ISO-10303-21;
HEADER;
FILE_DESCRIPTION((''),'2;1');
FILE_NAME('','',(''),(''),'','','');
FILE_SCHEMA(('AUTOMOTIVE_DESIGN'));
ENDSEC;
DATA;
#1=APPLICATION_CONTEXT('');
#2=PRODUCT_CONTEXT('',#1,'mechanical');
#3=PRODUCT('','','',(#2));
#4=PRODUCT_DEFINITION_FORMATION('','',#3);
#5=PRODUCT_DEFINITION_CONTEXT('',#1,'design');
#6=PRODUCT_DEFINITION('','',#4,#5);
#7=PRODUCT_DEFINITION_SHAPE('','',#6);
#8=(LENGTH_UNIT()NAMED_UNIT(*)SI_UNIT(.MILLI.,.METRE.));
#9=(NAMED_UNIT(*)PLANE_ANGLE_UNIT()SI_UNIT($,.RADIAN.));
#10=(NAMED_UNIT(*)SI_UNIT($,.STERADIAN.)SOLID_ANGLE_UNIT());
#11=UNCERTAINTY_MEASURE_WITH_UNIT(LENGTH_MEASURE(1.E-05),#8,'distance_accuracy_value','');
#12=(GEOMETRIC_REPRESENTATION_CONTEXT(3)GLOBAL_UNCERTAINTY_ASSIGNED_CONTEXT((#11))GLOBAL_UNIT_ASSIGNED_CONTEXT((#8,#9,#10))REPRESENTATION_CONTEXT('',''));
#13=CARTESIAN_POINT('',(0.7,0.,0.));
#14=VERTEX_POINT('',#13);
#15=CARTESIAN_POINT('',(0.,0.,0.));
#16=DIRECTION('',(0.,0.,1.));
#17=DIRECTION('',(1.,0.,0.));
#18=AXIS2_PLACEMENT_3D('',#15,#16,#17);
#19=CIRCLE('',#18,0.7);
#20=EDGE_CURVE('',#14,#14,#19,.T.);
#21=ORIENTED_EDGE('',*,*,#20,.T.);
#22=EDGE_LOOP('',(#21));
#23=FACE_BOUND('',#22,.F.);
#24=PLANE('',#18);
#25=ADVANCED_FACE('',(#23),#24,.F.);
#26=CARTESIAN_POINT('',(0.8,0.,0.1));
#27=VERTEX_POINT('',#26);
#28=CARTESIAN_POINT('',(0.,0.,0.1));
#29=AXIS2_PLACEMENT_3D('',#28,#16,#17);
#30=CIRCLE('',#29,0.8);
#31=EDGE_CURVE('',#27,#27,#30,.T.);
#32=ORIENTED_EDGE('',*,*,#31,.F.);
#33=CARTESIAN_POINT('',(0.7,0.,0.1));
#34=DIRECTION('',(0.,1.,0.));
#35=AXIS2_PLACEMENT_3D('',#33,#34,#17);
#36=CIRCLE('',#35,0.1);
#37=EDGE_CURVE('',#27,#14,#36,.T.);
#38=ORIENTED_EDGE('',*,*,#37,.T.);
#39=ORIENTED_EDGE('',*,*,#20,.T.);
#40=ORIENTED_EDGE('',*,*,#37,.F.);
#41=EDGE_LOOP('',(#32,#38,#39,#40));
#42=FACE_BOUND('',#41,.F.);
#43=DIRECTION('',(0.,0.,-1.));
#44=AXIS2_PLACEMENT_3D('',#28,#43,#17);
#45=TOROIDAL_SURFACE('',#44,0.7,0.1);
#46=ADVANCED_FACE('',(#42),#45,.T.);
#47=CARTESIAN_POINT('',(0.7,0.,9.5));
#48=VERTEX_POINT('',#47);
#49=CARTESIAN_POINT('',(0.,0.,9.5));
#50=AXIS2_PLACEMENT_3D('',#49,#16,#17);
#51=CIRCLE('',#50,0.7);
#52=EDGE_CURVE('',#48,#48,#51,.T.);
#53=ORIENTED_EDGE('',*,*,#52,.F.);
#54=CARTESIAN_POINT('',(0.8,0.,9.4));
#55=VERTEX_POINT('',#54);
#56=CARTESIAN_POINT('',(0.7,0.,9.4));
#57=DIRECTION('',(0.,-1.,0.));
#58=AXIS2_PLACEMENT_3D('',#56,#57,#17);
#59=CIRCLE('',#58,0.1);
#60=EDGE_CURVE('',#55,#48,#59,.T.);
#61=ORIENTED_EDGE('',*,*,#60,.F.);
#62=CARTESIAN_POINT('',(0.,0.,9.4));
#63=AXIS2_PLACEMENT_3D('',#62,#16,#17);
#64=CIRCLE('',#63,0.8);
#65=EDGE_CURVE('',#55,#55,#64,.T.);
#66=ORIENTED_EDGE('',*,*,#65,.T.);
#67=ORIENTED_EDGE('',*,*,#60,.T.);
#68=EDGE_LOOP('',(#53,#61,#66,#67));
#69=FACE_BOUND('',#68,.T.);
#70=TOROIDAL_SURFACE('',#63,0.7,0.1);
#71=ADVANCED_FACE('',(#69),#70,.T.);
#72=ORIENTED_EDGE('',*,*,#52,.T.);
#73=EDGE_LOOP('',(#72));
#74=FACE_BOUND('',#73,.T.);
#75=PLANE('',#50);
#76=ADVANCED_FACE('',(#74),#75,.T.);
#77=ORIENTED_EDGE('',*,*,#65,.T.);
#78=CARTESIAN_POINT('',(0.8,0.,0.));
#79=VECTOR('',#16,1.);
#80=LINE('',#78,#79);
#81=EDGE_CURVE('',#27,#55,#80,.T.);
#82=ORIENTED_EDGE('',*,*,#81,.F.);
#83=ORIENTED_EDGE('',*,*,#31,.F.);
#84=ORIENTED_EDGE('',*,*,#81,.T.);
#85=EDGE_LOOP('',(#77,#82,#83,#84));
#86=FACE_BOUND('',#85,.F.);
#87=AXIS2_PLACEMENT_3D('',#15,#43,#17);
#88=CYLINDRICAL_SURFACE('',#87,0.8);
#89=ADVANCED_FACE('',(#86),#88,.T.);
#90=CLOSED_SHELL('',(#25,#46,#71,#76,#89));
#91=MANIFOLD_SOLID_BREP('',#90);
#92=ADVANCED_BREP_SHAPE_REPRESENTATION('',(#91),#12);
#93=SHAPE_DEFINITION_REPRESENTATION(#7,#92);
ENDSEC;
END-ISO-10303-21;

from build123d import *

# Parameters (mm, degrees)
SKETCH2_R           = 0.8
BOSS_EXTRUDE1_DEPTH = 9.5
FILLET1_R           = 0.1


with BuildPart() as part:
    # Sketch2 → Boss-Extrude1 (new body)
    with BuildSketch(Plane.XY):
        Circle(SKETCH2_R)
    extrude(amount=BOSS_EXTRUDE1_DEPTH)

    # Fillet1
    fillet1_edges = [part.edges().sort_by_distance(p)[0] for p in [
        (-0.8, 0, 0),
        (-0.8, 0, 9.5),
    ]]
    fillet(fillet1_edges, radius=FILLET1_R)


solid = part.part
